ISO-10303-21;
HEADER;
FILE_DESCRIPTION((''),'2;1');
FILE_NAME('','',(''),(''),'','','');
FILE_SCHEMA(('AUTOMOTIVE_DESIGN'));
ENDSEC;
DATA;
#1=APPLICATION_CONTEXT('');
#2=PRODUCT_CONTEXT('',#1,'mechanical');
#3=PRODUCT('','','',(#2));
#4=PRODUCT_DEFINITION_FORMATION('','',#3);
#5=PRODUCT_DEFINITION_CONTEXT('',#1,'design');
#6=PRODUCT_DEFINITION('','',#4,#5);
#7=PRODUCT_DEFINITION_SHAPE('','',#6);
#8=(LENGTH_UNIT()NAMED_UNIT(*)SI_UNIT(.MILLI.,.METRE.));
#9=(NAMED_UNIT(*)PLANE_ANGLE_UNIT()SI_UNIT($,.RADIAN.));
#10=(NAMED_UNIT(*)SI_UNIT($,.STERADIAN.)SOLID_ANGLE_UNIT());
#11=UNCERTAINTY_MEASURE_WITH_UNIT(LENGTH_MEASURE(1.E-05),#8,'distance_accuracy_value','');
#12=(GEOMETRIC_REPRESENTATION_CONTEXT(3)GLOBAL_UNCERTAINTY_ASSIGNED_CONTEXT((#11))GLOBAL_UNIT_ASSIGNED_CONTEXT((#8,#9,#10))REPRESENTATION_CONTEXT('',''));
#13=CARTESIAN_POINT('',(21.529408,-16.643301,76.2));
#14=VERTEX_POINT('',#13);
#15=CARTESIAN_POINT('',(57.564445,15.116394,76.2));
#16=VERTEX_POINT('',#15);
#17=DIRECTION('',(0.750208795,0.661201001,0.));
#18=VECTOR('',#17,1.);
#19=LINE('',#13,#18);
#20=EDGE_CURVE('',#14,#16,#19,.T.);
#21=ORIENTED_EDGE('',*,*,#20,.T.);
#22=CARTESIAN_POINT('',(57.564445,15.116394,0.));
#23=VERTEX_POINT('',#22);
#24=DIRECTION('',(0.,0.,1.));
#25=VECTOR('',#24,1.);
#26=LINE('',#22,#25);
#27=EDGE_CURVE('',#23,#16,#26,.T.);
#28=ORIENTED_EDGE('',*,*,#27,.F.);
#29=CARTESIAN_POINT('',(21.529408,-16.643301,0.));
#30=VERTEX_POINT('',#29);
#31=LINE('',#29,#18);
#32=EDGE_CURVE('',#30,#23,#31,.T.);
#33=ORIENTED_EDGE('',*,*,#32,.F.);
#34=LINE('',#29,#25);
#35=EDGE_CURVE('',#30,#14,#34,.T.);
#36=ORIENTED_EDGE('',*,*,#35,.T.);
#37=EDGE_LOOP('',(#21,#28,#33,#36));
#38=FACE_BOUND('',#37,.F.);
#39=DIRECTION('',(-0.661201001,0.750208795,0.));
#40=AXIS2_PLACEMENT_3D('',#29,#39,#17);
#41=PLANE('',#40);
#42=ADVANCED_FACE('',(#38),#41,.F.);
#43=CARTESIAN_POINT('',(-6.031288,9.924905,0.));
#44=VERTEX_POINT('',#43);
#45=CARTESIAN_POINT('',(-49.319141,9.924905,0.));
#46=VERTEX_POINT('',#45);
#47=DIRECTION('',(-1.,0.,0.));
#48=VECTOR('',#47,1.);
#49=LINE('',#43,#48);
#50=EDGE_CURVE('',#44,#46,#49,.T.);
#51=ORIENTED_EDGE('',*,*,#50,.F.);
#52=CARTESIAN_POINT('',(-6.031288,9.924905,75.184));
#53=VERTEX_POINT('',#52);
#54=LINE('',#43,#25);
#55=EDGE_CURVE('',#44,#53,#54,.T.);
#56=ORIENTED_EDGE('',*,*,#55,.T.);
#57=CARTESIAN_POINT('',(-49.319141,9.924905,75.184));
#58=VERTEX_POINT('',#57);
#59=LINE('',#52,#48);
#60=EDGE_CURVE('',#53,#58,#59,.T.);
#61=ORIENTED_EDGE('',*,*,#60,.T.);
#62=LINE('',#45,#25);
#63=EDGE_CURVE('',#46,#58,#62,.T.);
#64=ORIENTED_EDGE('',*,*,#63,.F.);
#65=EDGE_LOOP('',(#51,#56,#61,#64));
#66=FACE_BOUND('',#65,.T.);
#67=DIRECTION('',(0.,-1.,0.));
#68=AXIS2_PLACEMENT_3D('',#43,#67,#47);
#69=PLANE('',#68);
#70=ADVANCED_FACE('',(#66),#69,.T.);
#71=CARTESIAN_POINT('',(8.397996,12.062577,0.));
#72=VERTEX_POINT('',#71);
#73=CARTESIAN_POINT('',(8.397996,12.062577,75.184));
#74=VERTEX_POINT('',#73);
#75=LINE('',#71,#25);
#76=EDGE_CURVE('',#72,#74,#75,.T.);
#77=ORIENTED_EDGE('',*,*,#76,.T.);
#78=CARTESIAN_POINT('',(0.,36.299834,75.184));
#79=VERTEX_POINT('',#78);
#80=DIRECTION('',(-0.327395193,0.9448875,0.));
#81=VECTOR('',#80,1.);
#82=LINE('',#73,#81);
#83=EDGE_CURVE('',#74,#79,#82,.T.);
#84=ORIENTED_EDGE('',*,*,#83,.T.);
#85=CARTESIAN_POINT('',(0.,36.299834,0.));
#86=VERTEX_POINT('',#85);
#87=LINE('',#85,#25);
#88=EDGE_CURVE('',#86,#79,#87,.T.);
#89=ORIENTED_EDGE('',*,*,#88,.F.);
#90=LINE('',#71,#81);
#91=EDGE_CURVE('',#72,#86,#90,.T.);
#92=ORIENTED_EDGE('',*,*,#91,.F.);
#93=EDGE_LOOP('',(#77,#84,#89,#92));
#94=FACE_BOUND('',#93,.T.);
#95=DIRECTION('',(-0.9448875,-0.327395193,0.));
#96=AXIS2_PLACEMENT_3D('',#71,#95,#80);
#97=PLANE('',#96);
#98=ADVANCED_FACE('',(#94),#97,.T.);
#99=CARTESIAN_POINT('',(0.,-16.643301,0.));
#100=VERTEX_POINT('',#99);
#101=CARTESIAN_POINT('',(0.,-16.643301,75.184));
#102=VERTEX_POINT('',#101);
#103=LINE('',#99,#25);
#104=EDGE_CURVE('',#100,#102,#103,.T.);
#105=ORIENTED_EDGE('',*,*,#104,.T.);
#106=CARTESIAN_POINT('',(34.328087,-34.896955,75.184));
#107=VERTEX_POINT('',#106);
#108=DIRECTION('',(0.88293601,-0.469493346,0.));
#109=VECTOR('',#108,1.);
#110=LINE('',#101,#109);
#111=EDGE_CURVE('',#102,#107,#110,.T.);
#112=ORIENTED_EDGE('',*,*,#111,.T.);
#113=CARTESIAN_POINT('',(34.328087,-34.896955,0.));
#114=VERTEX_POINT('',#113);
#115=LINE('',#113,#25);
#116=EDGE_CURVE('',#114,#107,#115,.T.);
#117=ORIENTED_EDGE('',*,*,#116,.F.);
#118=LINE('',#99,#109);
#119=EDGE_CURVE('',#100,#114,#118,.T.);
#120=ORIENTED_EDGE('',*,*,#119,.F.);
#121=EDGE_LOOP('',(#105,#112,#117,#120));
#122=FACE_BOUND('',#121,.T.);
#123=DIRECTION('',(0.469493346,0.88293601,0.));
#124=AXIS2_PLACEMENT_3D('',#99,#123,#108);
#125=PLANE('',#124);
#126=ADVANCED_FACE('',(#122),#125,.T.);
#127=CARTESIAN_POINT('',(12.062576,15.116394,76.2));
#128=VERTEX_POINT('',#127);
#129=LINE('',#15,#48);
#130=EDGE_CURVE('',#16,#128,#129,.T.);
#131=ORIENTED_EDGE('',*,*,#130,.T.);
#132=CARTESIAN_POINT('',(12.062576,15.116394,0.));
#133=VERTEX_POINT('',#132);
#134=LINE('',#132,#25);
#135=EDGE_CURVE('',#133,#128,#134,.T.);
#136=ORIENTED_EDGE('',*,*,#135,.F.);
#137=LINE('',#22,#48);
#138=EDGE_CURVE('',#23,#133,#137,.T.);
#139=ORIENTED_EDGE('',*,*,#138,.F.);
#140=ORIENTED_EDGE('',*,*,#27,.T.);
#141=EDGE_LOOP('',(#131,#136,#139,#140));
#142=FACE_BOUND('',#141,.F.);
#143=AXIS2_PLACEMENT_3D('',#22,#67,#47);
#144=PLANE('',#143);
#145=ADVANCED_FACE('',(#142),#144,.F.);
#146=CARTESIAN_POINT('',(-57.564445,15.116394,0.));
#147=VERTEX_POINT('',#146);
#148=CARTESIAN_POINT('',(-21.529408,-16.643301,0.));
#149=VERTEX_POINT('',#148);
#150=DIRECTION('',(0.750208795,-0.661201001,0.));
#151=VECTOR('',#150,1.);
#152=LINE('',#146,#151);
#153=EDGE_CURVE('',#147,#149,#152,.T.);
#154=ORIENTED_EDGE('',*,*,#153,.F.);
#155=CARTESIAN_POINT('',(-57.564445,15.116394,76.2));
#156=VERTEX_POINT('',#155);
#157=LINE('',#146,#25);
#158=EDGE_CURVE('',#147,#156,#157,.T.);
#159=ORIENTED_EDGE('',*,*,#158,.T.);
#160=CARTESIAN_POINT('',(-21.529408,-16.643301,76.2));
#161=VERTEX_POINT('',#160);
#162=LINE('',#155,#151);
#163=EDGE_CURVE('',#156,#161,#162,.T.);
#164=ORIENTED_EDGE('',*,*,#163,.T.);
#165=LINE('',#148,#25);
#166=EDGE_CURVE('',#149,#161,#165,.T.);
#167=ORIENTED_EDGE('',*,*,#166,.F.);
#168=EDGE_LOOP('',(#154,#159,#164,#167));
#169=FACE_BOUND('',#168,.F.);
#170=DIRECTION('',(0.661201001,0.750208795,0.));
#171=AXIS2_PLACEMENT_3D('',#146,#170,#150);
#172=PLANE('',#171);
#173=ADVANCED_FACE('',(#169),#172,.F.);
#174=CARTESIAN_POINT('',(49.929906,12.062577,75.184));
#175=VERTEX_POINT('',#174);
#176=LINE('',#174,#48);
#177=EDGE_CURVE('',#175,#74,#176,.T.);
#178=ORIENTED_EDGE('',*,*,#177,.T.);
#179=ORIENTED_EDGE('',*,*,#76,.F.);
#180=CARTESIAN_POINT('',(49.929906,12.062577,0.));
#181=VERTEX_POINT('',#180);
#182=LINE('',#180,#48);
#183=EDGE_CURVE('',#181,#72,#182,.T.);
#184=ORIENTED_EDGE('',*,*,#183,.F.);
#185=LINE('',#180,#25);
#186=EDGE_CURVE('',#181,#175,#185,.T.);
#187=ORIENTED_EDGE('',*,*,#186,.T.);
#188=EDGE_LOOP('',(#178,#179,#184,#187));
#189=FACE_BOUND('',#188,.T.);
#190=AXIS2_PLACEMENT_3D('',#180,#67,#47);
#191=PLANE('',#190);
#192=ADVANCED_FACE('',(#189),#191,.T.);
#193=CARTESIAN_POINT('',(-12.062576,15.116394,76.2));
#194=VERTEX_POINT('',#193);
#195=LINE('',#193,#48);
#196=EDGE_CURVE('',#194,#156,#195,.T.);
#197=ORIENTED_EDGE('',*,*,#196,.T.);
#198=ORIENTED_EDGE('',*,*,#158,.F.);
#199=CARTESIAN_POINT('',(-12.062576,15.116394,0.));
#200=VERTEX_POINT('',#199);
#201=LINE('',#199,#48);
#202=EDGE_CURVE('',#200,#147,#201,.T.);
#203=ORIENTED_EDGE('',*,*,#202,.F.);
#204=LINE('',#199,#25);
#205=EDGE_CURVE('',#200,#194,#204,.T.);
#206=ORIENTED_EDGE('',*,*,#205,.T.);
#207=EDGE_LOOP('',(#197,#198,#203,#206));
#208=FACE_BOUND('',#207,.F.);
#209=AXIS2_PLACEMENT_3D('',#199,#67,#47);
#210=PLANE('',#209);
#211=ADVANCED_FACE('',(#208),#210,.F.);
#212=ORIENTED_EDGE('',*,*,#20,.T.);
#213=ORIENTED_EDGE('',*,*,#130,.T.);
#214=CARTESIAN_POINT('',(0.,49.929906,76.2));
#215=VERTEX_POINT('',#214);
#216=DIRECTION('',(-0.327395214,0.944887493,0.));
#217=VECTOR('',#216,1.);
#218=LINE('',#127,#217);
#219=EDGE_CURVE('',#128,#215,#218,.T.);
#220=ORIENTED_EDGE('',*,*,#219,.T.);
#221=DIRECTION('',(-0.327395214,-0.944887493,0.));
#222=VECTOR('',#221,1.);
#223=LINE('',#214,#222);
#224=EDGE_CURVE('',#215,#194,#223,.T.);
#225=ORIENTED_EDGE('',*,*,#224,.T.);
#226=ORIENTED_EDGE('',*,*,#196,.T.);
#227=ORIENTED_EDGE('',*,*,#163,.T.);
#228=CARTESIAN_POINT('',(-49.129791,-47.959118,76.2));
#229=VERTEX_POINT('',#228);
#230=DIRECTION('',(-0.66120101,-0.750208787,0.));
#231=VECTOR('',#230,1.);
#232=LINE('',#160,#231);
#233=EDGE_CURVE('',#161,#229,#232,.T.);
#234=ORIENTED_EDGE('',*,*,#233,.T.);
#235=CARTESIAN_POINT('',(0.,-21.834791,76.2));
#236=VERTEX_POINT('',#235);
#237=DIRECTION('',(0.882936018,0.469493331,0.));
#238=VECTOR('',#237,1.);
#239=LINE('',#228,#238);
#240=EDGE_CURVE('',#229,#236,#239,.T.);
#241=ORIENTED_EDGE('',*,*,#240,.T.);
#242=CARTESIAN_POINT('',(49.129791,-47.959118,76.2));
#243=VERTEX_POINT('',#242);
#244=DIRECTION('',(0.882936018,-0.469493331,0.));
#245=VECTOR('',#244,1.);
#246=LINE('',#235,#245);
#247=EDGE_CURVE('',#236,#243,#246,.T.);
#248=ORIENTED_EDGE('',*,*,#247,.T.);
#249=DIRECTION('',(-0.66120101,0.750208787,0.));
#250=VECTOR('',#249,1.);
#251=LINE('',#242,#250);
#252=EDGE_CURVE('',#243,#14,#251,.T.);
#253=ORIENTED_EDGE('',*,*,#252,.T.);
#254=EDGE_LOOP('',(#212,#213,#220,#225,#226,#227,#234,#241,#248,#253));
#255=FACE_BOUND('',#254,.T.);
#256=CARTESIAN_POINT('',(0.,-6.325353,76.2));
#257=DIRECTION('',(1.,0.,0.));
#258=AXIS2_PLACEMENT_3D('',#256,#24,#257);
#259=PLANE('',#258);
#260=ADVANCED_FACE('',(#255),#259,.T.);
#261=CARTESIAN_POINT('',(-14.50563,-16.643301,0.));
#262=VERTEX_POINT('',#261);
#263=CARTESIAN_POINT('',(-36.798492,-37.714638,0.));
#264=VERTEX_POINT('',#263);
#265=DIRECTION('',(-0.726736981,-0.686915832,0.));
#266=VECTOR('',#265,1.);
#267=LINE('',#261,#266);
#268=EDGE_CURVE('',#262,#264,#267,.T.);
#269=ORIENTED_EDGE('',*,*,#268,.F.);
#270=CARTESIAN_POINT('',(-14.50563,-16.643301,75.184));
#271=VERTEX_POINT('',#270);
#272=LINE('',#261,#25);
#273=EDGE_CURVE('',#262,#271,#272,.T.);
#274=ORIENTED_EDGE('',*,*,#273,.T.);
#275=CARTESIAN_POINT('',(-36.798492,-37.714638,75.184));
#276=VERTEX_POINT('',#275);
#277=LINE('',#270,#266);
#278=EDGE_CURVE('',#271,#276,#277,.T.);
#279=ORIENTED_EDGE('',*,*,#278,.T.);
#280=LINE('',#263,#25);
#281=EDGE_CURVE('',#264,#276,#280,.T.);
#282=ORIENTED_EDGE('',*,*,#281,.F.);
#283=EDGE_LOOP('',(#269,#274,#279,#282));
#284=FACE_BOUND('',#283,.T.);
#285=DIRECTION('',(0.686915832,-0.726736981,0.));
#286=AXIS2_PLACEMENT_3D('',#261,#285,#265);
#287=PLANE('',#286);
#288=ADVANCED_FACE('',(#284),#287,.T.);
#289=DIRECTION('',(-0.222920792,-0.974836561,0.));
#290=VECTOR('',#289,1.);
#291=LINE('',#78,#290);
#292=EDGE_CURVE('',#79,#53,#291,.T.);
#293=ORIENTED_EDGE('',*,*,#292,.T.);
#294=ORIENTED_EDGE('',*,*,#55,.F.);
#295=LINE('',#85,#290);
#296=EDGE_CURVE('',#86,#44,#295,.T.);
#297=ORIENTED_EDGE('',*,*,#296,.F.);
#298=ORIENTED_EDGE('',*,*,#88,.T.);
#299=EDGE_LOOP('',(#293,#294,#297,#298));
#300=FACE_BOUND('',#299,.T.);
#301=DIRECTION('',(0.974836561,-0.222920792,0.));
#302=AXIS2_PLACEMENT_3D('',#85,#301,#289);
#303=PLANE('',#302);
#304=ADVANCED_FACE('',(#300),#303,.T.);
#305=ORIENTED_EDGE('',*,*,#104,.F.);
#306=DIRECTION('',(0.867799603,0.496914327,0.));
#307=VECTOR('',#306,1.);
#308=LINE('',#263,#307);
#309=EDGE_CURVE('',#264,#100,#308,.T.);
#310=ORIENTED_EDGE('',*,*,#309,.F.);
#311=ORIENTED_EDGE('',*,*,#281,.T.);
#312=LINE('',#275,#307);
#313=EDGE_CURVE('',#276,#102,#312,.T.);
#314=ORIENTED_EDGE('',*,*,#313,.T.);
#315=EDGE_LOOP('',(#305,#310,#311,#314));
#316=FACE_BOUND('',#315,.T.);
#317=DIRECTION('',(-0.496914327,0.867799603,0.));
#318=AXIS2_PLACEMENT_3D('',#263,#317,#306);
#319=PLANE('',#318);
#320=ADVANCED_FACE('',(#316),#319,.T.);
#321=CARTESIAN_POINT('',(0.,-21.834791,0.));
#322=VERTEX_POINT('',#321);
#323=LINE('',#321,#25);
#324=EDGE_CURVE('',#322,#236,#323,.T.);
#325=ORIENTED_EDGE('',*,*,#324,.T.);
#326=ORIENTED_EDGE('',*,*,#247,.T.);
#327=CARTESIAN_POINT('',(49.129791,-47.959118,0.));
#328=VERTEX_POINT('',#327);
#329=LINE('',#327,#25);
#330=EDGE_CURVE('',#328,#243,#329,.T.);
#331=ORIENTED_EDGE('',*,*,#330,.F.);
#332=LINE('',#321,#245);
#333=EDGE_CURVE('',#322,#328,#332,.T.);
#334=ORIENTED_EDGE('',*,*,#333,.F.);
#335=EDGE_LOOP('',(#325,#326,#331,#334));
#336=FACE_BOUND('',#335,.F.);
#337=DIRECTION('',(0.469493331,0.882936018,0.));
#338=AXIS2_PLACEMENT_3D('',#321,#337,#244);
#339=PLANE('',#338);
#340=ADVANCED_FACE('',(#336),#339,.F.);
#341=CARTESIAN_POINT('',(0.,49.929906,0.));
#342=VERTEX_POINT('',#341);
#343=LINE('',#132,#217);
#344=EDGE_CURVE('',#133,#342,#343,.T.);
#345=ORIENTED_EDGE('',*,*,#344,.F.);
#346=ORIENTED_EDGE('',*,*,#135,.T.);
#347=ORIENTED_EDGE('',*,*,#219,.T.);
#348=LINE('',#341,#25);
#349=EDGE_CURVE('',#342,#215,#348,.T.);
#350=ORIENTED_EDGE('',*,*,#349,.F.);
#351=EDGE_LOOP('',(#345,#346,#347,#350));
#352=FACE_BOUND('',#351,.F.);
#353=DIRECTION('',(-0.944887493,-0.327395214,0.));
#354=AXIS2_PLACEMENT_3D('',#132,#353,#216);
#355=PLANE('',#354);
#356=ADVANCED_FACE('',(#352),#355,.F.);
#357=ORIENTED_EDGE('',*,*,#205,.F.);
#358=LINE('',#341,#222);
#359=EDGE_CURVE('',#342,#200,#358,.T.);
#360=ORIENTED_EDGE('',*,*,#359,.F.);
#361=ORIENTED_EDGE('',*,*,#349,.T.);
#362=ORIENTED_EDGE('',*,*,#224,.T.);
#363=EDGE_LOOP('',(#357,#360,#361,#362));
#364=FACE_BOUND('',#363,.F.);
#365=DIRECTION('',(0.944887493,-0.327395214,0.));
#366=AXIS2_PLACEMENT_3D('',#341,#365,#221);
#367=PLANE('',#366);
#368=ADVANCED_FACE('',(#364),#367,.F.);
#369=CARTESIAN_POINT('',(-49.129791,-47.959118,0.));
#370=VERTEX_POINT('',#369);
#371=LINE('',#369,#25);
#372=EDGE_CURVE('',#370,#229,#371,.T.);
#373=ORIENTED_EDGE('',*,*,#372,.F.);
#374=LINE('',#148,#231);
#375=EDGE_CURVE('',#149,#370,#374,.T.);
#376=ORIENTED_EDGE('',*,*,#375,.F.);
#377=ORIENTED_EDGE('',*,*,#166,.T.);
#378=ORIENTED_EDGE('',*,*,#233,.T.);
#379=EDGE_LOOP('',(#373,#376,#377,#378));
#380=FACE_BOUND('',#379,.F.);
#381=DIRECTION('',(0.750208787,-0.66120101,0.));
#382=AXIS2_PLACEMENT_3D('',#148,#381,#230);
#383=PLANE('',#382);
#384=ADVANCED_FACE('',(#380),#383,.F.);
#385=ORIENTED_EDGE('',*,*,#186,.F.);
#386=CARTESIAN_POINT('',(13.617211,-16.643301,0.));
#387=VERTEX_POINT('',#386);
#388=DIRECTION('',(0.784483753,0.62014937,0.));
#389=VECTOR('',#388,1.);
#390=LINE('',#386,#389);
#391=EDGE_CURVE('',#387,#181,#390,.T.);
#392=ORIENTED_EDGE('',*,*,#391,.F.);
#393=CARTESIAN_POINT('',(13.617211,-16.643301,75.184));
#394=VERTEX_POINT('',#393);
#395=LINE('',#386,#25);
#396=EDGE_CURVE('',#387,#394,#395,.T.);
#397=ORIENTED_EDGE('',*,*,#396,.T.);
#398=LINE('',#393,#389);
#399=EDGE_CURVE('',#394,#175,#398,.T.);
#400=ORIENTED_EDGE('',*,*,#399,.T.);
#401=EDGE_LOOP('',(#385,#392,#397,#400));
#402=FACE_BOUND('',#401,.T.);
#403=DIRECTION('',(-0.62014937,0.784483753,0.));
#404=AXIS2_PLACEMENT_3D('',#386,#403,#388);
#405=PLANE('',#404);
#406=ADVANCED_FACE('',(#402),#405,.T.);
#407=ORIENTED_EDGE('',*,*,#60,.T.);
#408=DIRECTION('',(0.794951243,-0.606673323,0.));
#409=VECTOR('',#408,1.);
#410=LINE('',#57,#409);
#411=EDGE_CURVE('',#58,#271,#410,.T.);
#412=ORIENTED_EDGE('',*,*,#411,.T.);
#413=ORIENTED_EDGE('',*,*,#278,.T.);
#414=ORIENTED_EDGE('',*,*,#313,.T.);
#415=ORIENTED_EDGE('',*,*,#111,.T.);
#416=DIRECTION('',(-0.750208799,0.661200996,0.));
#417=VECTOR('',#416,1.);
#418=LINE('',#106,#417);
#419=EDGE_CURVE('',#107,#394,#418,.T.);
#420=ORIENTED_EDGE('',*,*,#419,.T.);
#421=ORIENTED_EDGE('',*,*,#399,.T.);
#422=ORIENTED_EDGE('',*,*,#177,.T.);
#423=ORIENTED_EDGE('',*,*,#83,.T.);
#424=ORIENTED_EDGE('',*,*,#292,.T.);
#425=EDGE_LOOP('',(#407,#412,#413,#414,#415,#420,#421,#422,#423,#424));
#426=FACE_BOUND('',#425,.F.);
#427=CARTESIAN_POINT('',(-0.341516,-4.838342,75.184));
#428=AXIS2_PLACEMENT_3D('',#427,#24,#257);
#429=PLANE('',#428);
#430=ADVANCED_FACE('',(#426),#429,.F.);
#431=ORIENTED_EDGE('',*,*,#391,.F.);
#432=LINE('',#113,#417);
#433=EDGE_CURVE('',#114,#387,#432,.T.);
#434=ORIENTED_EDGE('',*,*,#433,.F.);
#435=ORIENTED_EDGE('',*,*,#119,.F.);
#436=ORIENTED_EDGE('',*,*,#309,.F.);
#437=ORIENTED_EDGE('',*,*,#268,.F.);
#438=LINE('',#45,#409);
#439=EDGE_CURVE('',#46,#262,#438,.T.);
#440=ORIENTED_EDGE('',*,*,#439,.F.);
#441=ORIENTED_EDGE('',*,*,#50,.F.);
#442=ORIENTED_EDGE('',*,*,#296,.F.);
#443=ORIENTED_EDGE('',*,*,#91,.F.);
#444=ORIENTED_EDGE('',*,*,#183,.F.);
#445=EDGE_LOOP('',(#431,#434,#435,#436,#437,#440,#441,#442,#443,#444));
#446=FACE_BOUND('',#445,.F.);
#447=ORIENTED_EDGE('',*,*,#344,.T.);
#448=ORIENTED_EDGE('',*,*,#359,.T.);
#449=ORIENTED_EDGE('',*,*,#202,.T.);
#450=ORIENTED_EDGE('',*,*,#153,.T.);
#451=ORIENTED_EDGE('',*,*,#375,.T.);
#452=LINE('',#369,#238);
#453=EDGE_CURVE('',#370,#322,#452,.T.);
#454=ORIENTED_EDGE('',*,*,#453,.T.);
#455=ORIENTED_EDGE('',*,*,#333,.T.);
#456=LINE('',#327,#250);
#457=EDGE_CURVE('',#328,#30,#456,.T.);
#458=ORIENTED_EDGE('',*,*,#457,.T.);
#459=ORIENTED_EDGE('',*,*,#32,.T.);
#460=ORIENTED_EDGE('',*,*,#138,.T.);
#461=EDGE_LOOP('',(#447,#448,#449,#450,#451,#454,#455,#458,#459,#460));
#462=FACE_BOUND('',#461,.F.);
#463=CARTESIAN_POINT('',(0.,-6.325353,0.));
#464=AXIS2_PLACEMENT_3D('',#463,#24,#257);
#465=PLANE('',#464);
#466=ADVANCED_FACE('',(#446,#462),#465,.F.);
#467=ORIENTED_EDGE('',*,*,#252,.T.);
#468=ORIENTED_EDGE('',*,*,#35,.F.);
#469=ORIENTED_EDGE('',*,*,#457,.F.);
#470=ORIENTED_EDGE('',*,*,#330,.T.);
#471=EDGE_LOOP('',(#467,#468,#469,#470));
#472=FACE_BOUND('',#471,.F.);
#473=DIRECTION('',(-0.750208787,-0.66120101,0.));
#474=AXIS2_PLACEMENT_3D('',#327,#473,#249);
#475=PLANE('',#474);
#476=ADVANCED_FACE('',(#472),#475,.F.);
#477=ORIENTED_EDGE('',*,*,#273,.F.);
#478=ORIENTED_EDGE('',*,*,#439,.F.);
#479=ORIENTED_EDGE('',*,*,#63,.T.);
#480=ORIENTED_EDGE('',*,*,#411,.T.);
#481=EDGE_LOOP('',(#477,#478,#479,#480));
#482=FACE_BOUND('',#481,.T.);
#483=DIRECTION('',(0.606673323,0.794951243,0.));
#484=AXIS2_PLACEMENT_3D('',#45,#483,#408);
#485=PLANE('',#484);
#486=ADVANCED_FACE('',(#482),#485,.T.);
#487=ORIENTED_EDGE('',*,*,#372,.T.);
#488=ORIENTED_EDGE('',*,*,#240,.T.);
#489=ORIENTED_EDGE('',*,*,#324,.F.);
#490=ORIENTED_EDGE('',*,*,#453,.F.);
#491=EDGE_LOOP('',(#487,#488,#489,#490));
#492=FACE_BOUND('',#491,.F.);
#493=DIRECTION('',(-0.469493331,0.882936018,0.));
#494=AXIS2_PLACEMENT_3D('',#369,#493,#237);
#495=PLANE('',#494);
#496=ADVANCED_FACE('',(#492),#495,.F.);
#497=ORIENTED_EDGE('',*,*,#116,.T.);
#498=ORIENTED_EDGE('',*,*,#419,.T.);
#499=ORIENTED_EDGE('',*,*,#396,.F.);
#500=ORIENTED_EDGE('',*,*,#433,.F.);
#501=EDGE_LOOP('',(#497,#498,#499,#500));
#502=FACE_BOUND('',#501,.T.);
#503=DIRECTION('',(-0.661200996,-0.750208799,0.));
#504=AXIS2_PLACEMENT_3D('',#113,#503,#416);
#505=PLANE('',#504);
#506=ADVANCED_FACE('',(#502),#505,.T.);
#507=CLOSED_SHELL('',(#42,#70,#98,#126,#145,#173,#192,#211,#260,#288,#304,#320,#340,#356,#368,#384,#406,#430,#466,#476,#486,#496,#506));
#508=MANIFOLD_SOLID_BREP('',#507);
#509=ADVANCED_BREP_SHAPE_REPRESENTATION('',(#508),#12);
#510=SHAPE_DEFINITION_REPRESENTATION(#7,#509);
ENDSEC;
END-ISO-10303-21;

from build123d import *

# Parameters (mm, degrees)
F1_DEPTH = 76.2
F4_DEPTH = 75.184


with BuildPart() as f1:
    # F0 (on Top) → F1 (new body)
    with BuildSketch(Plane.XY):
        Polygon((12.062576, 15.116394), (0, 49.929906), (-12.062576, 15.116394), (-57.564445, 15.116394), (-21.529408, -16.643301), (-49.129791, -47.959118), (0, -21.834791), (49.129791, -47.959118), (21.529408, -16.643301), (57.564445, 15.116394), align=None)
    extrude(amount=F1_DEPTH)

    # F3 (on Top) → F4 (cut)
    with BuildSketch(Plane.XY):
        Polygon((0, 36.299834), (-6.031288, 9.924905), (-49.319141, 9.924905), (-14.50563, -16.643301), (-36.798492, -37.714638), (0, -16.643301), (34.328087, -34.896955), (13.617211, -16.643301), (49.929906, 12.062577), (8.397996, 12.062577), align=None)
    extrude(amount=F4_DEPTH, mode=Mode.SUBTRACT)


solid = f1.part
